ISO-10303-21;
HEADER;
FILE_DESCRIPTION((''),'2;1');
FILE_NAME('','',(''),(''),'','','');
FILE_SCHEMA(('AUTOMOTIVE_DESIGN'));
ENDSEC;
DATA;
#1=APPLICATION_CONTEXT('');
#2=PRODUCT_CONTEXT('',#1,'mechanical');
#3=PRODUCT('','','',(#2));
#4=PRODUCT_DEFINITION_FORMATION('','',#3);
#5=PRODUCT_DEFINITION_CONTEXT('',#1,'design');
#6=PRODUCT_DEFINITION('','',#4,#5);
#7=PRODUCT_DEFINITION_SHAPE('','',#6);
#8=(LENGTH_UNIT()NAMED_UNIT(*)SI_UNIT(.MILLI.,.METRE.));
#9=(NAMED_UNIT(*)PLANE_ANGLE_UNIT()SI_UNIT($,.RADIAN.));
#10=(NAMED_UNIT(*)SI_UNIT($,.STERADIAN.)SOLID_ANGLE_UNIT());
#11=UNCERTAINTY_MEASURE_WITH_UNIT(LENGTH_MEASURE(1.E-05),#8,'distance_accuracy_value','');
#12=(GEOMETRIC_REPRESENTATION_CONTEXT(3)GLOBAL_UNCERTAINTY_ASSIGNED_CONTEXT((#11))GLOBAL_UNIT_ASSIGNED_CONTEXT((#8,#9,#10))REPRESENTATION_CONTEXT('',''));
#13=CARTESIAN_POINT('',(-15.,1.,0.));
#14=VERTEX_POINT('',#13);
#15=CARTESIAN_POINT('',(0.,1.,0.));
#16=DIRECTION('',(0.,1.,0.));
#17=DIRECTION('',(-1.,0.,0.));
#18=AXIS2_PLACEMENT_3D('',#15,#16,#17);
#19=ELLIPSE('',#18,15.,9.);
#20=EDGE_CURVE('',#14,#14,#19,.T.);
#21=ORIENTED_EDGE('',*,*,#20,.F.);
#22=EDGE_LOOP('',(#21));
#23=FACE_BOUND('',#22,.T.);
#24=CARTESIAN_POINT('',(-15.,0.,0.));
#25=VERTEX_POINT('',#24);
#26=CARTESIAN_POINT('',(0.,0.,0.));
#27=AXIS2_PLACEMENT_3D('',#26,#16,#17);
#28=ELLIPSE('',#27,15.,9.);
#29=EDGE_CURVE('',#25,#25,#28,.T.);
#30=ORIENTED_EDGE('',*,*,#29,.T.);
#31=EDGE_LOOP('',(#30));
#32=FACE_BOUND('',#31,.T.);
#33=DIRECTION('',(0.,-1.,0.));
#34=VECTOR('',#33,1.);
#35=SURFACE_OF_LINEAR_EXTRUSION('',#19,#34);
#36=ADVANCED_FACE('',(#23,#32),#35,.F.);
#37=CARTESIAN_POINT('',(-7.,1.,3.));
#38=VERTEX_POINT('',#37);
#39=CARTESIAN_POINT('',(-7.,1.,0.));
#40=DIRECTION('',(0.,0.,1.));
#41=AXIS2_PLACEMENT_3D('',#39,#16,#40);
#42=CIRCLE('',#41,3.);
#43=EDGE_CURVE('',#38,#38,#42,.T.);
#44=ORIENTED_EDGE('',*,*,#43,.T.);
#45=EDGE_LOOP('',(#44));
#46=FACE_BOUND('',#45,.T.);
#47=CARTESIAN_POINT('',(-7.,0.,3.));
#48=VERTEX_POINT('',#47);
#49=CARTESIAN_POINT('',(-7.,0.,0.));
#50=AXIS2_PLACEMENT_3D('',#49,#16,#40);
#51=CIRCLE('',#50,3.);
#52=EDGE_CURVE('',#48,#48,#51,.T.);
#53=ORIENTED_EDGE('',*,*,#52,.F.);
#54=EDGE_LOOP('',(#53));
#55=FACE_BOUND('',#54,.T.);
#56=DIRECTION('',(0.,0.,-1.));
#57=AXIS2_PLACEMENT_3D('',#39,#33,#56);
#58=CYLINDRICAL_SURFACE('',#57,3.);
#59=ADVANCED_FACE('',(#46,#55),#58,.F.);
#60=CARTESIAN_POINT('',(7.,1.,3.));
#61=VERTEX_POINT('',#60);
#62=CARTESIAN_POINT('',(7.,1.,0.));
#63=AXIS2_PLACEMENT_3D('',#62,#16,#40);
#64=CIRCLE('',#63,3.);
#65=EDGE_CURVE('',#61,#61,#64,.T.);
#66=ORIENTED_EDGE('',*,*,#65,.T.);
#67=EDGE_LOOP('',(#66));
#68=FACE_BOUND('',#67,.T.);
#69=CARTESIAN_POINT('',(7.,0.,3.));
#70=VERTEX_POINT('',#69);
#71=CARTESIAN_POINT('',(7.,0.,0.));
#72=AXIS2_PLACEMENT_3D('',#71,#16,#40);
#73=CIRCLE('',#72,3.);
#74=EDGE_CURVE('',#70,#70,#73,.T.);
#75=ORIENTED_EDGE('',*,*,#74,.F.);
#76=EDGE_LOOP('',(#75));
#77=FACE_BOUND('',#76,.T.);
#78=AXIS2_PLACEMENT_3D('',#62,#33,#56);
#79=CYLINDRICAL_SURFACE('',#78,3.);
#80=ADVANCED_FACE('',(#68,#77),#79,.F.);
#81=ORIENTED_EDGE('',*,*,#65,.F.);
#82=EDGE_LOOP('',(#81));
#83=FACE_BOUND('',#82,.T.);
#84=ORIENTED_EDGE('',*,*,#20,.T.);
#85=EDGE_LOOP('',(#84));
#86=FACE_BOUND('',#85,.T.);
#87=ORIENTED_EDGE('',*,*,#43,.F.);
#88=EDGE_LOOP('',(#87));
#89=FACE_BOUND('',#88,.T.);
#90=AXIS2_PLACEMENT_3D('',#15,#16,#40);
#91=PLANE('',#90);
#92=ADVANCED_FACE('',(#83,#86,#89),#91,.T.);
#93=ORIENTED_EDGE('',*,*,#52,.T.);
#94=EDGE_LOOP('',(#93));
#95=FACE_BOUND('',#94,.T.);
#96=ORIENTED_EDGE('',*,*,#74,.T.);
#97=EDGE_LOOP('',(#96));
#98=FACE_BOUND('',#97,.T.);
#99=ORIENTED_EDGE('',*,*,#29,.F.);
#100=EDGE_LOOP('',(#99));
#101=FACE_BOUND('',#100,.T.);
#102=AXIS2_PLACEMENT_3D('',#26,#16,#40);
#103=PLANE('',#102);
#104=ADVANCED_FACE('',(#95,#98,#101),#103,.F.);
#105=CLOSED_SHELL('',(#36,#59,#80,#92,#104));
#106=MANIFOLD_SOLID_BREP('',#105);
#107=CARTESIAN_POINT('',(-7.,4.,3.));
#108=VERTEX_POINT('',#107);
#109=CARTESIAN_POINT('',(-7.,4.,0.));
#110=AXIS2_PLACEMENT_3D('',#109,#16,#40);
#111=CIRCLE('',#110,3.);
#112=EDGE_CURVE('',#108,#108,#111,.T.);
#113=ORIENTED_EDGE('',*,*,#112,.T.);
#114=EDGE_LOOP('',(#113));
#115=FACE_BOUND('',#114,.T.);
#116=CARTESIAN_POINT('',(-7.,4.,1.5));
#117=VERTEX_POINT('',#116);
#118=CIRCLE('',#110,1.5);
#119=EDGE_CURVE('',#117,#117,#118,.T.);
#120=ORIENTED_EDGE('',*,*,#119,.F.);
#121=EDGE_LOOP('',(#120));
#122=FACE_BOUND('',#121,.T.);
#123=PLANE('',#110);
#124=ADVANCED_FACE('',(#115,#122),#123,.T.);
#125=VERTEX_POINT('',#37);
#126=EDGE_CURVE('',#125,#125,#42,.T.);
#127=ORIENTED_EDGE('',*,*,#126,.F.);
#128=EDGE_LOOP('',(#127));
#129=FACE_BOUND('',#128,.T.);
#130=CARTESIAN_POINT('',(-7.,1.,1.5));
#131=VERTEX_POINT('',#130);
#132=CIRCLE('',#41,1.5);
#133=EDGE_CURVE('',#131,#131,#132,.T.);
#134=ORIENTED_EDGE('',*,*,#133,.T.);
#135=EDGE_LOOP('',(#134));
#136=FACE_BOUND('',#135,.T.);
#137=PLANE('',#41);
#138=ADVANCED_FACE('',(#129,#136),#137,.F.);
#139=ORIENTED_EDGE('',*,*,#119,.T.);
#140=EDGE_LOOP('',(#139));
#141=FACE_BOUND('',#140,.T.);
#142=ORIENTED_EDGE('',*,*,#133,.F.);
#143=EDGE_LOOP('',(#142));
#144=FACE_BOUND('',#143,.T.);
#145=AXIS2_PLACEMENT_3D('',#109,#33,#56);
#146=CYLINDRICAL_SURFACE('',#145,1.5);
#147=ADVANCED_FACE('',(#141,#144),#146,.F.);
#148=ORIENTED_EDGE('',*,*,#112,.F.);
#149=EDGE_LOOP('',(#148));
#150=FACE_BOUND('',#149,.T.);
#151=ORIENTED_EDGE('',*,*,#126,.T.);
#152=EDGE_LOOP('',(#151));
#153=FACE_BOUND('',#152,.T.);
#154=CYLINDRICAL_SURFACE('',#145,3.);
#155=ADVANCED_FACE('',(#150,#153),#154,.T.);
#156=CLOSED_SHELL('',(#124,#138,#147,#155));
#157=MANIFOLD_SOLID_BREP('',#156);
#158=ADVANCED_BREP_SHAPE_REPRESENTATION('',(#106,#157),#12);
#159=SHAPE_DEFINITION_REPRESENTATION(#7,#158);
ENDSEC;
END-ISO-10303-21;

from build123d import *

# Parameters (mm, degrees)
CROQUIS1_RX             = 15
CROQUIS1_RY             = 9
CROQUIS1_R              = 3
SALIENTE_EXTRUIR1_DEPTH = 1
CROQUIS2_R              = 3
CROQUIS2_R_2            = 1.5
SALIENTE_EXTRUIR2_DEPTH = 3


with BuildPart() as part:
    # Croquis1 → Saliente-Extruir1 (new body)
    with BuildSketch(Plane(origin=(0, 0, 0), x_dir=(1, 0, 0), z_dir=(0, 1, 0))):
        with Locations(Location((0, 0), (0, 0, -180))):
            Ellipse(CROQUIS1_RX, CROQUIS1_RY)
        with Locations((-7, 0)):
            Circle(CROQUIS1_R, mode=Mode.SUBTRACT)
        with Locations((7, 0)):
            Circle(CROQUIS1_R, mode=Mode.SUBTRACT)
    extrude(amount=SALIENTE_EXTRUIR1_DEPTH)


with BuildPart() as body_2:
    # Croquis2 → Saliente-Extruir2 (new body)
    with BuildSketch(Plane(origin=(0, 1, 0), x_dir=(1, 0, 0), z_dir=(0, 1, 0))):
        with Locations((-7, 0)):
            Circle(CROQUIS2_R)
        with Locations((-7, 0)):
            Circle(CROQUIS2_R_2, mode=Mode.SUBTRACT)
    extrude(amount=SALIENTE_EXTRUIR2_DEPTH)


solid = Compound([part.part, body_2.part])
